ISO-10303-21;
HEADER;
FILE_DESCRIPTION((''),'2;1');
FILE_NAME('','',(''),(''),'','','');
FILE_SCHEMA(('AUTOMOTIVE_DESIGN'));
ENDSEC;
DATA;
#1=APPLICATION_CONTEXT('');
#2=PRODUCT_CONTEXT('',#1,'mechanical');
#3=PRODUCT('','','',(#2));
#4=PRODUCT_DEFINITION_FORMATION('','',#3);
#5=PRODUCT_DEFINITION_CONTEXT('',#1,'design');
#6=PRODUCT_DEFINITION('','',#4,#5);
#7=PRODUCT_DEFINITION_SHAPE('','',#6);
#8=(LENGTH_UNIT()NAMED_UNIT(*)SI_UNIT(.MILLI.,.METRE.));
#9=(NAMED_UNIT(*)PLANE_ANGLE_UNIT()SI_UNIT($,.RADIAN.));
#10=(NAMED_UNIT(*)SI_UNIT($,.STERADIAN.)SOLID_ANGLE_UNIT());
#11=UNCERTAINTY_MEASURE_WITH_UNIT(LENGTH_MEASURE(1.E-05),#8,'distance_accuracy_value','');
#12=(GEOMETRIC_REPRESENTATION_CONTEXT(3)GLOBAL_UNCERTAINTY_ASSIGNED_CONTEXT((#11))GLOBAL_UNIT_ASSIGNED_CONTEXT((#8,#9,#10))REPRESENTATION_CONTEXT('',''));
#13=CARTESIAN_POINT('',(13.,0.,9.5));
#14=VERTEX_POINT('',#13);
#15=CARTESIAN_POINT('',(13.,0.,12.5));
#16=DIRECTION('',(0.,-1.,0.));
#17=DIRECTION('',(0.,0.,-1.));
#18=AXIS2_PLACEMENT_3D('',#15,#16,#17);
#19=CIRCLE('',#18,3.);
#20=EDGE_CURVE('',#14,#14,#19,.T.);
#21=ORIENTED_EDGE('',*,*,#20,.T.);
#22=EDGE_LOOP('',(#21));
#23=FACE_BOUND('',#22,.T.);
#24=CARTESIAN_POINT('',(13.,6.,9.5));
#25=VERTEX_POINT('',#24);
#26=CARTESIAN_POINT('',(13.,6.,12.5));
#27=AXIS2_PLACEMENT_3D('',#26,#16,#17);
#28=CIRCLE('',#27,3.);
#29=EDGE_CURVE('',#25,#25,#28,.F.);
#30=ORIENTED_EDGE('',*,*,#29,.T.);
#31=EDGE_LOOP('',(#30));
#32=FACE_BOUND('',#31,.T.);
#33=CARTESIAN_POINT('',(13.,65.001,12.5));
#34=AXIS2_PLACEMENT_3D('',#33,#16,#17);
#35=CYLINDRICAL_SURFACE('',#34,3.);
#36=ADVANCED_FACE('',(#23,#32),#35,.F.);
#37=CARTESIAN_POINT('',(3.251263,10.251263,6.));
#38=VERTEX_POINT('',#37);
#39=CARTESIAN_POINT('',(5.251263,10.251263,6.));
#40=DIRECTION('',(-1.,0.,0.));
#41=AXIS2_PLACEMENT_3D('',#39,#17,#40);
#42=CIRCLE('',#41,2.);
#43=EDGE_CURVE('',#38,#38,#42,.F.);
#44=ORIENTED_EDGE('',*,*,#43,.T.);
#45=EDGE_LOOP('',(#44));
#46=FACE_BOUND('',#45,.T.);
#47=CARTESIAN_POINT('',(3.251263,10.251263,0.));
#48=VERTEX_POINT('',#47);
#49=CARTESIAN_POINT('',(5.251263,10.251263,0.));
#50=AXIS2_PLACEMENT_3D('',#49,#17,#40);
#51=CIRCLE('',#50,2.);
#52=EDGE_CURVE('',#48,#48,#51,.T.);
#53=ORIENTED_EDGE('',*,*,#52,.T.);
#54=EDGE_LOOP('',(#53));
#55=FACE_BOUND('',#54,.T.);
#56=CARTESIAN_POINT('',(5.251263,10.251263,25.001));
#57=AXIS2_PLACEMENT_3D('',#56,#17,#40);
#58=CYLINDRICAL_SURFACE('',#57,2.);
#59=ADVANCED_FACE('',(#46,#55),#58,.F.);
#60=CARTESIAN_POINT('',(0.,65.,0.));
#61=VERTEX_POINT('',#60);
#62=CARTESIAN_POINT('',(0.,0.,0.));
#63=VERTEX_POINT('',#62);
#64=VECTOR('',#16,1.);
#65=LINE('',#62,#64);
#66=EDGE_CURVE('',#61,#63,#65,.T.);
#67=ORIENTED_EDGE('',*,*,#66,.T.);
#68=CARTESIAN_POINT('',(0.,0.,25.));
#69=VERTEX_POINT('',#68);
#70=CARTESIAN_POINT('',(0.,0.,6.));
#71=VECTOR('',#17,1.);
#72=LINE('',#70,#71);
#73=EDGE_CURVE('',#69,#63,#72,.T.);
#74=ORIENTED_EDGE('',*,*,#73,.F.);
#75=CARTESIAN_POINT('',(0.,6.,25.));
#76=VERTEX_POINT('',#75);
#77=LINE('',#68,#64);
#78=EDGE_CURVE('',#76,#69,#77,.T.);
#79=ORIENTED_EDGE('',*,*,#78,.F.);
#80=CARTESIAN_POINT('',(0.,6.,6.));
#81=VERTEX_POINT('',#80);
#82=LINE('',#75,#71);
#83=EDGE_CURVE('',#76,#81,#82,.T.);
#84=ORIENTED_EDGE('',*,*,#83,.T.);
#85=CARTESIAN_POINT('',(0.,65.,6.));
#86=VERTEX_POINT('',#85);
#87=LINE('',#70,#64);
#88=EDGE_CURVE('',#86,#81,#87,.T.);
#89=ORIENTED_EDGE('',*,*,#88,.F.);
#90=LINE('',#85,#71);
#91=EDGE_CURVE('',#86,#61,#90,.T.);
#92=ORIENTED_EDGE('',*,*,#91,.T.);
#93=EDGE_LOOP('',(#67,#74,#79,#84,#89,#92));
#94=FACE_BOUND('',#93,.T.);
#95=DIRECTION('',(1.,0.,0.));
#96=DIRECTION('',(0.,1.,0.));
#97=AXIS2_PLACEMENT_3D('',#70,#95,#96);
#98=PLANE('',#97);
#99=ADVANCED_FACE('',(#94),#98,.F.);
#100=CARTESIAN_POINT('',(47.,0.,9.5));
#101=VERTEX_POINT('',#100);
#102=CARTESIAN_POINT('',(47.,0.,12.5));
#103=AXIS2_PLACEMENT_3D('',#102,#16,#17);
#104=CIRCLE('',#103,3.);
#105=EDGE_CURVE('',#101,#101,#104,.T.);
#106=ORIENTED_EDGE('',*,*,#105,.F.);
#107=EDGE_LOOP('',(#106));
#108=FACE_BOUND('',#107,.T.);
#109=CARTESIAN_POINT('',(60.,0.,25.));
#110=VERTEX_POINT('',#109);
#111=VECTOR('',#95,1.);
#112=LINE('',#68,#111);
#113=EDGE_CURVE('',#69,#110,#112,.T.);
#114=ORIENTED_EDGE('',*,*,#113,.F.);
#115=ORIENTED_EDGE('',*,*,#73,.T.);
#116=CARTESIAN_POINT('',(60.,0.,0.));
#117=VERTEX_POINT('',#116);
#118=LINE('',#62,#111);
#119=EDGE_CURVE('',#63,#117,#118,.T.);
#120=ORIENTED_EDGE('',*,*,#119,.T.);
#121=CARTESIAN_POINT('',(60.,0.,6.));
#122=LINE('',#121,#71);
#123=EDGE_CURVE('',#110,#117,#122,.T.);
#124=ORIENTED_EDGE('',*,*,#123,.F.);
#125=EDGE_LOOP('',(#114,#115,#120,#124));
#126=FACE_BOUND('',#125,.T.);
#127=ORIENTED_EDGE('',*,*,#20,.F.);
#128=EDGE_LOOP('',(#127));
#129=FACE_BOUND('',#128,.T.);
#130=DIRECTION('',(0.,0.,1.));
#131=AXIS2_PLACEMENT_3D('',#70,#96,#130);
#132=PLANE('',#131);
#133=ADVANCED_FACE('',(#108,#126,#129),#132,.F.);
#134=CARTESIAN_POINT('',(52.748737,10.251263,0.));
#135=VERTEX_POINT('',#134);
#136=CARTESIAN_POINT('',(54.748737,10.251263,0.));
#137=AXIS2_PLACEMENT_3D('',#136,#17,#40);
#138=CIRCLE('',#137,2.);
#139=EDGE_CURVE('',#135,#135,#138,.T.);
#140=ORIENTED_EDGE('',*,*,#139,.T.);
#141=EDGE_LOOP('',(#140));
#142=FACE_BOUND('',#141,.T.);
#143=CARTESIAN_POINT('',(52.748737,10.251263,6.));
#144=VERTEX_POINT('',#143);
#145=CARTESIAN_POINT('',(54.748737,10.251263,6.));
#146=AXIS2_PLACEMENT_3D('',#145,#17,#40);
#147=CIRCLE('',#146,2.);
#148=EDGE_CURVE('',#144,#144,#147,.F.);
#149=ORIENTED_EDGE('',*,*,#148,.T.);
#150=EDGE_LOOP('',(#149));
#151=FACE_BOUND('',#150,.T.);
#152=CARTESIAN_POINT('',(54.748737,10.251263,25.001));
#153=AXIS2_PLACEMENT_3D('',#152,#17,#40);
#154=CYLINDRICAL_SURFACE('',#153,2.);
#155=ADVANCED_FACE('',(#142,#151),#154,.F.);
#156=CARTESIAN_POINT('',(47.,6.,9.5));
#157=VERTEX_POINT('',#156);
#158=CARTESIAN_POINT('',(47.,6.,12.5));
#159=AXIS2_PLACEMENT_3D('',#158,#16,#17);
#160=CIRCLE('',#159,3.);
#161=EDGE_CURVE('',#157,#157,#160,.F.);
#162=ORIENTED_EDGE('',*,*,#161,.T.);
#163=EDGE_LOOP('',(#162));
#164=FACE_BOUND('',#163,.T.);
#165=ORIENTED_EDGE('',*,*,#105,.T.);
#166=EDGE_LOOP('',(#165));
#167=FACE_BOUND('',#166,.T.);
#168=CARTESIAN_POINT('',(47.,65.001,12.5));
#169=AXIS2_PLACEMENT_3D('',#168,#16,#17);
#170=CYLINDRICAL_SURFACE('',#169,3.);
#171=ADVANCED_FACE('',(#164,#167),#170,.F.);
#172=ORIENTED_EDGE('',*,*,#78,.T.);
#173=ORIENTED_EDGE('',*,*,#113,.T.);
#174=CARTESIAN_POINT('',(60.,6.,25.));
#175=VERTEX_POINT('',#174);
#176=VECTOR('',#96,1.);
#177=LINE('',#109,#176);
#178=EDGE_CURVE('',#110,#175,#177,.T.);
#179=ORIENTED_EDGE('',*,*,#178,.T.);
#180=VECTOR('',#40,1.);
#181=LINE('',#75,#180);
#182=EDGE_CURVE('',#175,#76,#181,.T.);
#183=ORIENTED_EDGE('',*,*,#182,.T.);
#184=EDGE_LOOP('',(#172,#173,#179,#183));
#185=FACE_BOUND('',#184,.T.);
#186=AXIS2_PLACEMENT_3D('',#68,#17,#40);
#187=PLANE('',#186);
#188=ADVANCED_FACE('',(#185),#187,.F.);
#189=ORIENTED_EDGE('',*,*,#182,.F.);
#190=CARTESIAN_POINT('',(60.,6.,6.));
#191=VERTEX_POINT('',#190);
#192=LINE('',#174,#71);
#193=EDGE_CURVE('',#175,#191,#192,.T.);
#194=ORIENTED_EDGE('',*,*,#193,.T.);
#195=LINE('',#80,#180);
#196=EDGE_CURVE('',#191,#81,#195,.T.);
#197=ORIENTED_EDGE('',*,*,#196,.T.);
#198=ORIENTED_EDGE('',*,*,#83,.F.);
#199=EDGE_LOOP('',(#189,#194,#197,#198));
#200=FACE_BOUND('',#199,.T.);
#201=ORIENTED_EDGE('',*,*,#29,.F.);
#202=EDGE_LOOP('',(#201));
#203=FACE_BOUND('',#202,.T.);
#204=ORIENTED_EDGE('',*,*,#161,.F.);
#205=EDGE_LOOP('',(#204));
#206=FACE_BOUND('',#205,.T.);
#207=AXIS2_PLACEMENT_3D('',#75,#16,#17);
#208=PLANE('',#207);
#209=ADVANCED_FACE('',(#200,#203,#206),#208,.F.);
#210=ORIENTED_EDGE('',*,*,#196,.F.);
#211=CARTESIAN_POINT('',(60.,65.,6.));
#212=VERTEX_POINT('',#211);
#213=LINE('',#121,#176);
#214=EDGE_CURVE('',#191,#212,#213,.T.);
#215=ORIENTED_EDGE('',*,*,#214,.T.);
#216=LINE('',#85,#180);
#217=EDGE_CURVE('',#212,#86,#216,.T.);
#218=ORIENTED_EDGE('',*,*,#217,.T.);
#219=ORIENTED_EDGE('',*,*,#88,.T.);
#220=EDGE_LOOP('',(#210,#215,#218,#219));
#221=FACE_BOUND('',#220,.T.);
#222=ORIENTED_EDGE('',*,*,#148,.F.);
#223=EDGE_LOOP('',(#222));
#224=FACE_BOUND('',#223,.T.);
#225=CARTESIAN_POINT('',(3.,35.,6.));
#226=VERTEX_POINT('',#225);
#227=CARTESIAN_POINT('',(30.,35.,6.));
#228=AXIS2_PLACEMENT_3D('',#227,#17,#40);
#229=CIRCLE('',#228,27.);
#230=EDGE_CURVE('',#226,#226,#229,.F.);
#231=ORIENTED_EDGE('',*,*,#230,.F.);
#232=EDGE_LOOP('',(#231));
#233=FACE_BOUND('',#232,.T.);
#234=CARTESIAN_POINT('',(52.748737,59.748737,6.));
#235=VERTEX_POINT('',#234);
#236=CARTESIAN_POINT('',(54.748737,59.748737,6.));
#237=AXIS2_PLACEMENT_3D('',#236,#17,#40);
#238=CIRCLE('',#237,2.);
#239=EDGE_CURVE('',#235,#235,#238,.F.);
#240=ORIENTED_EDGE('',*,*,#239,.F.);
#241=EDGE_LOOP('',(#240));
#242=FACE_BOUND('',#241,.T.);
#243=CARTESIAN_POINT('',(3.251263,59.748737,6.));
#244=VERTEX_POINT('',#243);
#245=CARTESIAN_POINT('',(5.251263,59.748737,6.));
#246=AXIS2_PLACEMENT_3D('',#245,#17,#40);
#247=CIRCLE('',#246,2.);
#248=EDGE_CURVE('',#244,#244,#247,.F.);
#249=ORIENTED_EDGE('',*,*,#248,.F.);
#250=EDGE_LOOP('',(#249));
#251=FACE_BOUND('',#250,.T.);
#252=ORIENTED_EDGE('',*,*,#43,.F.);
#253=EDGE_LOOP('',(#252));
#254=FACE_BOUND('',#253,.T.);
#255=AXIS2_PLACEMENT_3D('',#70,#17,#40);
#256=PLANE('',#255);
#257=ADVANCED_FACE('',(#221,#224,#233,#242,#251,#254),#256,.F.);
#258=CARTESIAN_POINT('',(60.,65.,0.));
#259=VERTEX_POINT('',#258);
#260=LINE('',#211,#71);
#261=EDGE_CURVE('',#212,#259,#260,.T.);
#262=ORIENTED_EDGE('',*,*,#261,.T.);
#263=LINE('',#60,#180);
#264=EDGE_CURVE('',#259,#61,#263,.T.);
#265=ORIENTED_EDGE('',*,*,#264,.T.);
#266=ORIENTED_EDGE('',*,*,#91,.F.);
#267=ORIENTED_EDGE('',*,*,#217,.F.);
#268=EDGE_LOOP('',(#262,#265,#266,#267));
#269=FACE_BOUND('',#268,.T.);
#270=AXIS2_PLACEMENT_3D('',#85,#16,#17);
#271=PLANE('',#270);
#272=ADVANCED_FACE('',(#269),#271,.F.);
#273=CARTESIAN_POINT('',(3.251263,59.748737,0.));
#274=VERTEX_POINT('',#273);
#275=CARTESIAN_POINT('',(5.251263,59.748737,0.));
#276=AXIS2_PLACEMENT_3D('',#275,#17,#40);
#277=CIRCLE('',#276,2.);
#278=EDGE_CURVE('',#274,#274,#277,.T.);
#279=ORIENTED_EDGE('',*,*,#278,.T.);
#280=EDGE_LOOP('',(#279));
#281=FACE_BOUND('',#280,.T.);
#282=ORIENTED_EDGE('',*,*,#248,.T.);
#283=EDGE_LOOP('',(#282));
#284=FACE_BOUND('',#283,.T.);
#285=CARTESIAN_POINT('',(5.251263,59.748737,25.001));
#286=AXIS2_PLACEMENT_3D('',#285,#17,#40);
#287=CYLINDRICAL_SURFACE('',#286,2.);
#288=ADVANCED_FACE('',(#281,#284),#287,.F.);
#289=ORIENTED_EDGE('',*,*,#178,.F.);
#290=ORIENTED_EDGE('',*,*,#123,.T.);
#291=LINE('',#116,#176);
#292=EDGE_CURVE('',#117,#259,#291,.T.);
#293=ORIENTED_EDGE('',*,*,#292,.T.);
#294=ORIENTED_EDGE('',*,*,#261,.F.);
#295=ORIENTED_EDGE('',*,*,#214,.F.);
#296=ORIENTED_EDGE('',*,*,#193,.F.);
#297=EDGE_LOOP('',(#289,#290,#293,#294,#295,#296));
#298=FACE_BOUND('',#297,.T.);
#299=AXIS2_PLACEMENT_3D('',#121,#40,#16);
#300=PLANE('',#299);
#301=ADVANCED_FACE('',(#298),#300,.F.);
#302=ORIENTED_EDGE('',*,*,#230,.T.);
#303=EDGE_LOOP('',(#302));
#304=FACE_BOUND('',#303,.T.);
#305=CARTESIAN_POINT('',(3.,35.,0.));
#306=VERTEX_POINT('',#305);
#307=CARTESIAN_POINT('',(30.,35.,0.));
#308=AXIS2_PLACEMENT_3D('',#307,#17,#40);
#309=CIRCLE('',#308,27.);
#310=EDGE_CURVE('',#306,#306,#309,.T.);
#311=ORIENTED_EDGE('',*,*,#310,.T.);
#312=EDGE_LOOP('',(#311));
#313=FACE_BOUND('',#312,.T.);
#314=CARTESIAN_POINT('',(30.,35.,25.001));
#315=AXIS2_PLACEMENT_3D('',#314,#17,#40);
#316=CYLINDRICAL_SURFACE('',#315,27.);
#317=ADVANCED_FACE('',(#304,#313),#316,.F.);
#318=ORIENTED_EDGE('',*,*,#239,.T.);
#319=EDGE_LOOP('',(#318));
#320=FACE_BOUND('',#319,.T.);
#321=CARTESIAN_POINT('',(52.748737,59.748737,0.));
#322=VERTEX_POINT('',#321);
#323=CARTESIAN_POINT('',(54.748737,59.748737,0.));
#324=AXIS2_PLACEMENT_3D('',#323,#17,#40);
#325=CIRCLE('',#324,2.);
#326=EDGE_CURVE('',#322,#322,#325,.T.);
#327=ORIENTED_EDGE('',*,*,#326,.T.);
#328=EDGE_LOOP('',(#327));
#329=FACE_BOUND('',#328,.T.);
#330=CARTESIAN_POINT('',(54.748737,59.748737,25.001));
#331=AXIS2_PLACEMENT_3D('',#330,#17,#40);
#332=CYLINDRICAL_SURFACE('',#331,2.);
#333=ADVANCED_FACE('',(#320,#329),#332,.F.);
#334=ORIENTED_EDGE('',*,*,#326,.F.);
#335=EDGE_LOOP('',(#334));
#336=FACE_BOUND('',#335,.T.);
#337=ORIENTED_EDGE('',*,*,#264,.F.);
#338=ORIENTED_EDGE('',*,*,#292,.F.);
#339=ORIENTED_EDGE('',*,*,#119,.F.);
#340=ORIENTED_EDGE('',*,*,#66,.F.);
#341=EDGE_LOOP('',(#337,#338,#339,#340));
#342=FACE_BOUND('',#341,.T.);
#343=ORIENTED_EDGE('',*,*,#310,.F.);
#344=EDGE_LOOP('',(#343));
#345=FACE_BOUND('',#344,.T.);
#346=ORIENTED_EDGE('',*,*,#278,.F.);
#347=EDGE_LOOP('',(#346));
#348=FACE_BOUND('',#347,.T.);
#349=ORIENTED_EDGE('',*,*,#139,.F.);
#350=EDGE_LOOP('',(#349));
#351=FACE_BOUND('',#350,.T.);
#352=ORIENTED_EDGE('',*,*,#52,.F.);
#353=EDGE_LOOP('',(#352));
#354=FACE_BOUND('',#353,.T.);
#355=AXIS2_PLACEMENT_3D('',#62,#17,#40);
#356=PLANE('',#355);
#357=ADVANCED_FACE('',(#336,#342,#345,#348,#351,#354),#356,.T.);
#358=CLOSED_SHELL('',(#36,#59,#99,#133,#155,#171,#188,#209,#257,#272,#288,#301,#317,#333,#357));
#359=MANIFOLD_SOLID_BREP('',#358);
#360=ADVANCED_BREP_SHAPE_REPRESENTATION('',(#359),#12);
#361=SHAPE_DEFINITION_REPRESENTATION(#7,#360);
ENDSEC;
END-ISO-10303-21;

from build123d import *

# Parameters (mm, degrees)
SKETCH_1_W          = 60
SKETCH_1_H          = 65
EXTRUDE_1_DEPTH     = 6
SKETCH_2_W          = 60
SKETCH_2_H          = 6
EXTRUDE_2_DEPTH     = 19
CUT_EXTRUDE_2_REACH = 93.924
SKETCH_4_R          = 3
CUT_EXTRUDE_3_REACH = 93.924
SKETCH_3_R          = 27
SKETCH_3_R_2        = 2


with BuildPart() as part:
    # 草圖1 → 填料-伸長1 (new body)
    with BuildSketch(Plane.XY):
        with Locations((30, 32.5)):
            Rectangle(SKETCH_1_W, SKETCH_1_H)
    extrude(amount=EXTRUDE_1_DEPTH)

    # 草圖2 → 填料-伸長2 (add)
    with BuildSketch(Plane.XY.offset(6)):
        with Locations((30, 3)):
            Rectangle(SKETCH_2_W, SKETCH_2_H)
    extrude(amount=EXTRUDE_2_DEPTH)

    # 草圖4 → 除料-伸長2 (cut, up to next)
    with BuildSketch(Plane(origin=(0, 0, 0), x_dir=(-1, 0, 0), z_dir=(0, -1, 0)), mode=Mode.PRIVATE) as cut_extrude_2_sk1:
        with Locations(Location((-13, -12.5, 0), (0, 0, 90))):
            Circle(SKETCH_4_R)
    cut_extrude_2_tool1 = extrude(cut_extrude_2_sk1.sketch, amount=-CUT_EXTRUDE_2_REACH, mode=Mode.PRIVATE) & part.part
    # 草圖4 → 除料-伸長2 (cut, up to next)
    with BuildSketch(Plane(origin=(0, 0, 0), x_dir=(-1, 0, 0), z_dir=(0, -1, 0)), mode=Mode.PRIVATE) as cut_extrude_2_sk2:
        with Locations(Location((-47, -12.5, 0), (0, 0, 90))):
            Circle(SKETCH_4_R)
    cut_extrude_2_tool2 = extrude(cut_extrude_2_sk2.sketch, amount=-CUT_EXTRUDE_2_REACH, mode=Mode.PRIVATE) & part.part
    add(cut_extrude_2_tool1.solids().sort_by_distance((13, 0, 12.5))[0], mode=Mode.SUBTRACT)
    add(cut_extrude_2_tool2.solids().sort_by_distance((47, 0, 12.5))[0], mode=Mode.SUBTRACT)

    # 草圖3 → 除料-伸長3 (cut, up to next)
    with BuildSketch(Plane(origin=(0, 0, 0), x_dir=(-1, 0, 0), z_dir=(0, 0, -1)), mode=Mode.PRIVATE) as cut_extrude_3_sk1:
        with Locations((-30, 35)):
            Circle(SKETCH_3_R)
    cut_extrude_3_tool1 = extrude(cut_extrude_3_sk1.sketch, amount=-CUT_EXTRUDE_3_REACH, mode=Mode.PRIVATE) & part.part
    # 草圖3 → 除料-伸長3 (cut, up to next)
    with BuildSketch(Plane(origin=(0, 0, 0), x_dir=(-1, 0, 0), z_dir=(0, 0, -1)), mode=Mode.PRIVATE) as cut_extrude_3_sk2:
        with Locations((-54.748737342, 59.748737342)):
            Circle(SKETCH_3_R_2)
    cut_extrude_3_tool2 = extrude(cut_extrude_3_sk2.sketch, amount=-CUT_EXTRUDE_3_REACH, mode=Mode.PRIVATE) & part.part
    # 草圖3 → 除料-伸長3 (cut, up to next)
    with BuildSketch(Plane(origin=(0, 0, 0), x_dir=(-1, 0, 0), z_dir=(0, 0, -1)), mode=Mode.PRIVATE) as cut_extrude_3_sk3:
        with Locations((-5.251262658, 59.748737342)):
            Circle(SKETCH_3_R_2)
    cut_extrude_3_tool3 = extrude(cut_extrude_3_sk3.sketch, amount=-CUT_EXTRUDE_3_REACH, mode=Mode.PRIVATE) & part.part
    # 草圖3 → 除料-伸長3 (cut, up to next)
    with BuildSketch(Plane(origin=(0, 0, 0), x_dir=(-1, 0, 0), z_dir=(0, 0, -1)), mode=Mode.PRIVATE) as cut_extrude_3_sk4:
        with Locations((-54.748737342, 10.251262658)):
            Circle(SKETCH_3_R_2)
    cut_extrude_3_tool4 = extrude(cut_extrude_3_sk4.sketch, amount=-CUT_EXTRUDE_3_REACH, mode=Mode.PRIVATE) & part.part
    # 草圖3 → 除料-伸長3 (cut, up to next)
    with BuildSketch(Plane(origin=(0, 0, 0), x_dir=(-1, 0, 0), z_dir=(0, 0, -1)), mode=Mode.PRIVATE) as cut_extrude_3_sk5:
        with Locations((-5.251262658, 10.251262658)):
            Circle(SKETCH_3_R_2)
    cut_extrude_3_tool5 = extrude(cut_extrude_3_sk5.sketch, amount=-CUT_EXTRUDE_3_REACH, mode=Mode.PRIVATE) & part.part
    add(cut_extrude_3_tool1.solids().sort_by_distance((30, 35, 0))[0], mode=Mode.SUBTRACT)
    add(cut_extrude_3_tool2.solids().sort_by_distance((54.748737, 59.748737, 0))[0], mode=Mode.SUBTRACT)
    add(cut_extrude_3_tool3.solids().sort_by_distance((5.251263, 59.748737, 0))[0], mode=Mode.SUBTRACT)
    add(cut_extrude_3_tool4.solids().sort_by_distance((54.748737, 10.251263, 0))[0], mode=Mode.SUBTRACT)
    add(cut_extrude_3_tool5.solids().sort_by_distance((5.251263, 10.251263, 0))[0], mode=Mode.SUBTRACT)


solid = part.part
